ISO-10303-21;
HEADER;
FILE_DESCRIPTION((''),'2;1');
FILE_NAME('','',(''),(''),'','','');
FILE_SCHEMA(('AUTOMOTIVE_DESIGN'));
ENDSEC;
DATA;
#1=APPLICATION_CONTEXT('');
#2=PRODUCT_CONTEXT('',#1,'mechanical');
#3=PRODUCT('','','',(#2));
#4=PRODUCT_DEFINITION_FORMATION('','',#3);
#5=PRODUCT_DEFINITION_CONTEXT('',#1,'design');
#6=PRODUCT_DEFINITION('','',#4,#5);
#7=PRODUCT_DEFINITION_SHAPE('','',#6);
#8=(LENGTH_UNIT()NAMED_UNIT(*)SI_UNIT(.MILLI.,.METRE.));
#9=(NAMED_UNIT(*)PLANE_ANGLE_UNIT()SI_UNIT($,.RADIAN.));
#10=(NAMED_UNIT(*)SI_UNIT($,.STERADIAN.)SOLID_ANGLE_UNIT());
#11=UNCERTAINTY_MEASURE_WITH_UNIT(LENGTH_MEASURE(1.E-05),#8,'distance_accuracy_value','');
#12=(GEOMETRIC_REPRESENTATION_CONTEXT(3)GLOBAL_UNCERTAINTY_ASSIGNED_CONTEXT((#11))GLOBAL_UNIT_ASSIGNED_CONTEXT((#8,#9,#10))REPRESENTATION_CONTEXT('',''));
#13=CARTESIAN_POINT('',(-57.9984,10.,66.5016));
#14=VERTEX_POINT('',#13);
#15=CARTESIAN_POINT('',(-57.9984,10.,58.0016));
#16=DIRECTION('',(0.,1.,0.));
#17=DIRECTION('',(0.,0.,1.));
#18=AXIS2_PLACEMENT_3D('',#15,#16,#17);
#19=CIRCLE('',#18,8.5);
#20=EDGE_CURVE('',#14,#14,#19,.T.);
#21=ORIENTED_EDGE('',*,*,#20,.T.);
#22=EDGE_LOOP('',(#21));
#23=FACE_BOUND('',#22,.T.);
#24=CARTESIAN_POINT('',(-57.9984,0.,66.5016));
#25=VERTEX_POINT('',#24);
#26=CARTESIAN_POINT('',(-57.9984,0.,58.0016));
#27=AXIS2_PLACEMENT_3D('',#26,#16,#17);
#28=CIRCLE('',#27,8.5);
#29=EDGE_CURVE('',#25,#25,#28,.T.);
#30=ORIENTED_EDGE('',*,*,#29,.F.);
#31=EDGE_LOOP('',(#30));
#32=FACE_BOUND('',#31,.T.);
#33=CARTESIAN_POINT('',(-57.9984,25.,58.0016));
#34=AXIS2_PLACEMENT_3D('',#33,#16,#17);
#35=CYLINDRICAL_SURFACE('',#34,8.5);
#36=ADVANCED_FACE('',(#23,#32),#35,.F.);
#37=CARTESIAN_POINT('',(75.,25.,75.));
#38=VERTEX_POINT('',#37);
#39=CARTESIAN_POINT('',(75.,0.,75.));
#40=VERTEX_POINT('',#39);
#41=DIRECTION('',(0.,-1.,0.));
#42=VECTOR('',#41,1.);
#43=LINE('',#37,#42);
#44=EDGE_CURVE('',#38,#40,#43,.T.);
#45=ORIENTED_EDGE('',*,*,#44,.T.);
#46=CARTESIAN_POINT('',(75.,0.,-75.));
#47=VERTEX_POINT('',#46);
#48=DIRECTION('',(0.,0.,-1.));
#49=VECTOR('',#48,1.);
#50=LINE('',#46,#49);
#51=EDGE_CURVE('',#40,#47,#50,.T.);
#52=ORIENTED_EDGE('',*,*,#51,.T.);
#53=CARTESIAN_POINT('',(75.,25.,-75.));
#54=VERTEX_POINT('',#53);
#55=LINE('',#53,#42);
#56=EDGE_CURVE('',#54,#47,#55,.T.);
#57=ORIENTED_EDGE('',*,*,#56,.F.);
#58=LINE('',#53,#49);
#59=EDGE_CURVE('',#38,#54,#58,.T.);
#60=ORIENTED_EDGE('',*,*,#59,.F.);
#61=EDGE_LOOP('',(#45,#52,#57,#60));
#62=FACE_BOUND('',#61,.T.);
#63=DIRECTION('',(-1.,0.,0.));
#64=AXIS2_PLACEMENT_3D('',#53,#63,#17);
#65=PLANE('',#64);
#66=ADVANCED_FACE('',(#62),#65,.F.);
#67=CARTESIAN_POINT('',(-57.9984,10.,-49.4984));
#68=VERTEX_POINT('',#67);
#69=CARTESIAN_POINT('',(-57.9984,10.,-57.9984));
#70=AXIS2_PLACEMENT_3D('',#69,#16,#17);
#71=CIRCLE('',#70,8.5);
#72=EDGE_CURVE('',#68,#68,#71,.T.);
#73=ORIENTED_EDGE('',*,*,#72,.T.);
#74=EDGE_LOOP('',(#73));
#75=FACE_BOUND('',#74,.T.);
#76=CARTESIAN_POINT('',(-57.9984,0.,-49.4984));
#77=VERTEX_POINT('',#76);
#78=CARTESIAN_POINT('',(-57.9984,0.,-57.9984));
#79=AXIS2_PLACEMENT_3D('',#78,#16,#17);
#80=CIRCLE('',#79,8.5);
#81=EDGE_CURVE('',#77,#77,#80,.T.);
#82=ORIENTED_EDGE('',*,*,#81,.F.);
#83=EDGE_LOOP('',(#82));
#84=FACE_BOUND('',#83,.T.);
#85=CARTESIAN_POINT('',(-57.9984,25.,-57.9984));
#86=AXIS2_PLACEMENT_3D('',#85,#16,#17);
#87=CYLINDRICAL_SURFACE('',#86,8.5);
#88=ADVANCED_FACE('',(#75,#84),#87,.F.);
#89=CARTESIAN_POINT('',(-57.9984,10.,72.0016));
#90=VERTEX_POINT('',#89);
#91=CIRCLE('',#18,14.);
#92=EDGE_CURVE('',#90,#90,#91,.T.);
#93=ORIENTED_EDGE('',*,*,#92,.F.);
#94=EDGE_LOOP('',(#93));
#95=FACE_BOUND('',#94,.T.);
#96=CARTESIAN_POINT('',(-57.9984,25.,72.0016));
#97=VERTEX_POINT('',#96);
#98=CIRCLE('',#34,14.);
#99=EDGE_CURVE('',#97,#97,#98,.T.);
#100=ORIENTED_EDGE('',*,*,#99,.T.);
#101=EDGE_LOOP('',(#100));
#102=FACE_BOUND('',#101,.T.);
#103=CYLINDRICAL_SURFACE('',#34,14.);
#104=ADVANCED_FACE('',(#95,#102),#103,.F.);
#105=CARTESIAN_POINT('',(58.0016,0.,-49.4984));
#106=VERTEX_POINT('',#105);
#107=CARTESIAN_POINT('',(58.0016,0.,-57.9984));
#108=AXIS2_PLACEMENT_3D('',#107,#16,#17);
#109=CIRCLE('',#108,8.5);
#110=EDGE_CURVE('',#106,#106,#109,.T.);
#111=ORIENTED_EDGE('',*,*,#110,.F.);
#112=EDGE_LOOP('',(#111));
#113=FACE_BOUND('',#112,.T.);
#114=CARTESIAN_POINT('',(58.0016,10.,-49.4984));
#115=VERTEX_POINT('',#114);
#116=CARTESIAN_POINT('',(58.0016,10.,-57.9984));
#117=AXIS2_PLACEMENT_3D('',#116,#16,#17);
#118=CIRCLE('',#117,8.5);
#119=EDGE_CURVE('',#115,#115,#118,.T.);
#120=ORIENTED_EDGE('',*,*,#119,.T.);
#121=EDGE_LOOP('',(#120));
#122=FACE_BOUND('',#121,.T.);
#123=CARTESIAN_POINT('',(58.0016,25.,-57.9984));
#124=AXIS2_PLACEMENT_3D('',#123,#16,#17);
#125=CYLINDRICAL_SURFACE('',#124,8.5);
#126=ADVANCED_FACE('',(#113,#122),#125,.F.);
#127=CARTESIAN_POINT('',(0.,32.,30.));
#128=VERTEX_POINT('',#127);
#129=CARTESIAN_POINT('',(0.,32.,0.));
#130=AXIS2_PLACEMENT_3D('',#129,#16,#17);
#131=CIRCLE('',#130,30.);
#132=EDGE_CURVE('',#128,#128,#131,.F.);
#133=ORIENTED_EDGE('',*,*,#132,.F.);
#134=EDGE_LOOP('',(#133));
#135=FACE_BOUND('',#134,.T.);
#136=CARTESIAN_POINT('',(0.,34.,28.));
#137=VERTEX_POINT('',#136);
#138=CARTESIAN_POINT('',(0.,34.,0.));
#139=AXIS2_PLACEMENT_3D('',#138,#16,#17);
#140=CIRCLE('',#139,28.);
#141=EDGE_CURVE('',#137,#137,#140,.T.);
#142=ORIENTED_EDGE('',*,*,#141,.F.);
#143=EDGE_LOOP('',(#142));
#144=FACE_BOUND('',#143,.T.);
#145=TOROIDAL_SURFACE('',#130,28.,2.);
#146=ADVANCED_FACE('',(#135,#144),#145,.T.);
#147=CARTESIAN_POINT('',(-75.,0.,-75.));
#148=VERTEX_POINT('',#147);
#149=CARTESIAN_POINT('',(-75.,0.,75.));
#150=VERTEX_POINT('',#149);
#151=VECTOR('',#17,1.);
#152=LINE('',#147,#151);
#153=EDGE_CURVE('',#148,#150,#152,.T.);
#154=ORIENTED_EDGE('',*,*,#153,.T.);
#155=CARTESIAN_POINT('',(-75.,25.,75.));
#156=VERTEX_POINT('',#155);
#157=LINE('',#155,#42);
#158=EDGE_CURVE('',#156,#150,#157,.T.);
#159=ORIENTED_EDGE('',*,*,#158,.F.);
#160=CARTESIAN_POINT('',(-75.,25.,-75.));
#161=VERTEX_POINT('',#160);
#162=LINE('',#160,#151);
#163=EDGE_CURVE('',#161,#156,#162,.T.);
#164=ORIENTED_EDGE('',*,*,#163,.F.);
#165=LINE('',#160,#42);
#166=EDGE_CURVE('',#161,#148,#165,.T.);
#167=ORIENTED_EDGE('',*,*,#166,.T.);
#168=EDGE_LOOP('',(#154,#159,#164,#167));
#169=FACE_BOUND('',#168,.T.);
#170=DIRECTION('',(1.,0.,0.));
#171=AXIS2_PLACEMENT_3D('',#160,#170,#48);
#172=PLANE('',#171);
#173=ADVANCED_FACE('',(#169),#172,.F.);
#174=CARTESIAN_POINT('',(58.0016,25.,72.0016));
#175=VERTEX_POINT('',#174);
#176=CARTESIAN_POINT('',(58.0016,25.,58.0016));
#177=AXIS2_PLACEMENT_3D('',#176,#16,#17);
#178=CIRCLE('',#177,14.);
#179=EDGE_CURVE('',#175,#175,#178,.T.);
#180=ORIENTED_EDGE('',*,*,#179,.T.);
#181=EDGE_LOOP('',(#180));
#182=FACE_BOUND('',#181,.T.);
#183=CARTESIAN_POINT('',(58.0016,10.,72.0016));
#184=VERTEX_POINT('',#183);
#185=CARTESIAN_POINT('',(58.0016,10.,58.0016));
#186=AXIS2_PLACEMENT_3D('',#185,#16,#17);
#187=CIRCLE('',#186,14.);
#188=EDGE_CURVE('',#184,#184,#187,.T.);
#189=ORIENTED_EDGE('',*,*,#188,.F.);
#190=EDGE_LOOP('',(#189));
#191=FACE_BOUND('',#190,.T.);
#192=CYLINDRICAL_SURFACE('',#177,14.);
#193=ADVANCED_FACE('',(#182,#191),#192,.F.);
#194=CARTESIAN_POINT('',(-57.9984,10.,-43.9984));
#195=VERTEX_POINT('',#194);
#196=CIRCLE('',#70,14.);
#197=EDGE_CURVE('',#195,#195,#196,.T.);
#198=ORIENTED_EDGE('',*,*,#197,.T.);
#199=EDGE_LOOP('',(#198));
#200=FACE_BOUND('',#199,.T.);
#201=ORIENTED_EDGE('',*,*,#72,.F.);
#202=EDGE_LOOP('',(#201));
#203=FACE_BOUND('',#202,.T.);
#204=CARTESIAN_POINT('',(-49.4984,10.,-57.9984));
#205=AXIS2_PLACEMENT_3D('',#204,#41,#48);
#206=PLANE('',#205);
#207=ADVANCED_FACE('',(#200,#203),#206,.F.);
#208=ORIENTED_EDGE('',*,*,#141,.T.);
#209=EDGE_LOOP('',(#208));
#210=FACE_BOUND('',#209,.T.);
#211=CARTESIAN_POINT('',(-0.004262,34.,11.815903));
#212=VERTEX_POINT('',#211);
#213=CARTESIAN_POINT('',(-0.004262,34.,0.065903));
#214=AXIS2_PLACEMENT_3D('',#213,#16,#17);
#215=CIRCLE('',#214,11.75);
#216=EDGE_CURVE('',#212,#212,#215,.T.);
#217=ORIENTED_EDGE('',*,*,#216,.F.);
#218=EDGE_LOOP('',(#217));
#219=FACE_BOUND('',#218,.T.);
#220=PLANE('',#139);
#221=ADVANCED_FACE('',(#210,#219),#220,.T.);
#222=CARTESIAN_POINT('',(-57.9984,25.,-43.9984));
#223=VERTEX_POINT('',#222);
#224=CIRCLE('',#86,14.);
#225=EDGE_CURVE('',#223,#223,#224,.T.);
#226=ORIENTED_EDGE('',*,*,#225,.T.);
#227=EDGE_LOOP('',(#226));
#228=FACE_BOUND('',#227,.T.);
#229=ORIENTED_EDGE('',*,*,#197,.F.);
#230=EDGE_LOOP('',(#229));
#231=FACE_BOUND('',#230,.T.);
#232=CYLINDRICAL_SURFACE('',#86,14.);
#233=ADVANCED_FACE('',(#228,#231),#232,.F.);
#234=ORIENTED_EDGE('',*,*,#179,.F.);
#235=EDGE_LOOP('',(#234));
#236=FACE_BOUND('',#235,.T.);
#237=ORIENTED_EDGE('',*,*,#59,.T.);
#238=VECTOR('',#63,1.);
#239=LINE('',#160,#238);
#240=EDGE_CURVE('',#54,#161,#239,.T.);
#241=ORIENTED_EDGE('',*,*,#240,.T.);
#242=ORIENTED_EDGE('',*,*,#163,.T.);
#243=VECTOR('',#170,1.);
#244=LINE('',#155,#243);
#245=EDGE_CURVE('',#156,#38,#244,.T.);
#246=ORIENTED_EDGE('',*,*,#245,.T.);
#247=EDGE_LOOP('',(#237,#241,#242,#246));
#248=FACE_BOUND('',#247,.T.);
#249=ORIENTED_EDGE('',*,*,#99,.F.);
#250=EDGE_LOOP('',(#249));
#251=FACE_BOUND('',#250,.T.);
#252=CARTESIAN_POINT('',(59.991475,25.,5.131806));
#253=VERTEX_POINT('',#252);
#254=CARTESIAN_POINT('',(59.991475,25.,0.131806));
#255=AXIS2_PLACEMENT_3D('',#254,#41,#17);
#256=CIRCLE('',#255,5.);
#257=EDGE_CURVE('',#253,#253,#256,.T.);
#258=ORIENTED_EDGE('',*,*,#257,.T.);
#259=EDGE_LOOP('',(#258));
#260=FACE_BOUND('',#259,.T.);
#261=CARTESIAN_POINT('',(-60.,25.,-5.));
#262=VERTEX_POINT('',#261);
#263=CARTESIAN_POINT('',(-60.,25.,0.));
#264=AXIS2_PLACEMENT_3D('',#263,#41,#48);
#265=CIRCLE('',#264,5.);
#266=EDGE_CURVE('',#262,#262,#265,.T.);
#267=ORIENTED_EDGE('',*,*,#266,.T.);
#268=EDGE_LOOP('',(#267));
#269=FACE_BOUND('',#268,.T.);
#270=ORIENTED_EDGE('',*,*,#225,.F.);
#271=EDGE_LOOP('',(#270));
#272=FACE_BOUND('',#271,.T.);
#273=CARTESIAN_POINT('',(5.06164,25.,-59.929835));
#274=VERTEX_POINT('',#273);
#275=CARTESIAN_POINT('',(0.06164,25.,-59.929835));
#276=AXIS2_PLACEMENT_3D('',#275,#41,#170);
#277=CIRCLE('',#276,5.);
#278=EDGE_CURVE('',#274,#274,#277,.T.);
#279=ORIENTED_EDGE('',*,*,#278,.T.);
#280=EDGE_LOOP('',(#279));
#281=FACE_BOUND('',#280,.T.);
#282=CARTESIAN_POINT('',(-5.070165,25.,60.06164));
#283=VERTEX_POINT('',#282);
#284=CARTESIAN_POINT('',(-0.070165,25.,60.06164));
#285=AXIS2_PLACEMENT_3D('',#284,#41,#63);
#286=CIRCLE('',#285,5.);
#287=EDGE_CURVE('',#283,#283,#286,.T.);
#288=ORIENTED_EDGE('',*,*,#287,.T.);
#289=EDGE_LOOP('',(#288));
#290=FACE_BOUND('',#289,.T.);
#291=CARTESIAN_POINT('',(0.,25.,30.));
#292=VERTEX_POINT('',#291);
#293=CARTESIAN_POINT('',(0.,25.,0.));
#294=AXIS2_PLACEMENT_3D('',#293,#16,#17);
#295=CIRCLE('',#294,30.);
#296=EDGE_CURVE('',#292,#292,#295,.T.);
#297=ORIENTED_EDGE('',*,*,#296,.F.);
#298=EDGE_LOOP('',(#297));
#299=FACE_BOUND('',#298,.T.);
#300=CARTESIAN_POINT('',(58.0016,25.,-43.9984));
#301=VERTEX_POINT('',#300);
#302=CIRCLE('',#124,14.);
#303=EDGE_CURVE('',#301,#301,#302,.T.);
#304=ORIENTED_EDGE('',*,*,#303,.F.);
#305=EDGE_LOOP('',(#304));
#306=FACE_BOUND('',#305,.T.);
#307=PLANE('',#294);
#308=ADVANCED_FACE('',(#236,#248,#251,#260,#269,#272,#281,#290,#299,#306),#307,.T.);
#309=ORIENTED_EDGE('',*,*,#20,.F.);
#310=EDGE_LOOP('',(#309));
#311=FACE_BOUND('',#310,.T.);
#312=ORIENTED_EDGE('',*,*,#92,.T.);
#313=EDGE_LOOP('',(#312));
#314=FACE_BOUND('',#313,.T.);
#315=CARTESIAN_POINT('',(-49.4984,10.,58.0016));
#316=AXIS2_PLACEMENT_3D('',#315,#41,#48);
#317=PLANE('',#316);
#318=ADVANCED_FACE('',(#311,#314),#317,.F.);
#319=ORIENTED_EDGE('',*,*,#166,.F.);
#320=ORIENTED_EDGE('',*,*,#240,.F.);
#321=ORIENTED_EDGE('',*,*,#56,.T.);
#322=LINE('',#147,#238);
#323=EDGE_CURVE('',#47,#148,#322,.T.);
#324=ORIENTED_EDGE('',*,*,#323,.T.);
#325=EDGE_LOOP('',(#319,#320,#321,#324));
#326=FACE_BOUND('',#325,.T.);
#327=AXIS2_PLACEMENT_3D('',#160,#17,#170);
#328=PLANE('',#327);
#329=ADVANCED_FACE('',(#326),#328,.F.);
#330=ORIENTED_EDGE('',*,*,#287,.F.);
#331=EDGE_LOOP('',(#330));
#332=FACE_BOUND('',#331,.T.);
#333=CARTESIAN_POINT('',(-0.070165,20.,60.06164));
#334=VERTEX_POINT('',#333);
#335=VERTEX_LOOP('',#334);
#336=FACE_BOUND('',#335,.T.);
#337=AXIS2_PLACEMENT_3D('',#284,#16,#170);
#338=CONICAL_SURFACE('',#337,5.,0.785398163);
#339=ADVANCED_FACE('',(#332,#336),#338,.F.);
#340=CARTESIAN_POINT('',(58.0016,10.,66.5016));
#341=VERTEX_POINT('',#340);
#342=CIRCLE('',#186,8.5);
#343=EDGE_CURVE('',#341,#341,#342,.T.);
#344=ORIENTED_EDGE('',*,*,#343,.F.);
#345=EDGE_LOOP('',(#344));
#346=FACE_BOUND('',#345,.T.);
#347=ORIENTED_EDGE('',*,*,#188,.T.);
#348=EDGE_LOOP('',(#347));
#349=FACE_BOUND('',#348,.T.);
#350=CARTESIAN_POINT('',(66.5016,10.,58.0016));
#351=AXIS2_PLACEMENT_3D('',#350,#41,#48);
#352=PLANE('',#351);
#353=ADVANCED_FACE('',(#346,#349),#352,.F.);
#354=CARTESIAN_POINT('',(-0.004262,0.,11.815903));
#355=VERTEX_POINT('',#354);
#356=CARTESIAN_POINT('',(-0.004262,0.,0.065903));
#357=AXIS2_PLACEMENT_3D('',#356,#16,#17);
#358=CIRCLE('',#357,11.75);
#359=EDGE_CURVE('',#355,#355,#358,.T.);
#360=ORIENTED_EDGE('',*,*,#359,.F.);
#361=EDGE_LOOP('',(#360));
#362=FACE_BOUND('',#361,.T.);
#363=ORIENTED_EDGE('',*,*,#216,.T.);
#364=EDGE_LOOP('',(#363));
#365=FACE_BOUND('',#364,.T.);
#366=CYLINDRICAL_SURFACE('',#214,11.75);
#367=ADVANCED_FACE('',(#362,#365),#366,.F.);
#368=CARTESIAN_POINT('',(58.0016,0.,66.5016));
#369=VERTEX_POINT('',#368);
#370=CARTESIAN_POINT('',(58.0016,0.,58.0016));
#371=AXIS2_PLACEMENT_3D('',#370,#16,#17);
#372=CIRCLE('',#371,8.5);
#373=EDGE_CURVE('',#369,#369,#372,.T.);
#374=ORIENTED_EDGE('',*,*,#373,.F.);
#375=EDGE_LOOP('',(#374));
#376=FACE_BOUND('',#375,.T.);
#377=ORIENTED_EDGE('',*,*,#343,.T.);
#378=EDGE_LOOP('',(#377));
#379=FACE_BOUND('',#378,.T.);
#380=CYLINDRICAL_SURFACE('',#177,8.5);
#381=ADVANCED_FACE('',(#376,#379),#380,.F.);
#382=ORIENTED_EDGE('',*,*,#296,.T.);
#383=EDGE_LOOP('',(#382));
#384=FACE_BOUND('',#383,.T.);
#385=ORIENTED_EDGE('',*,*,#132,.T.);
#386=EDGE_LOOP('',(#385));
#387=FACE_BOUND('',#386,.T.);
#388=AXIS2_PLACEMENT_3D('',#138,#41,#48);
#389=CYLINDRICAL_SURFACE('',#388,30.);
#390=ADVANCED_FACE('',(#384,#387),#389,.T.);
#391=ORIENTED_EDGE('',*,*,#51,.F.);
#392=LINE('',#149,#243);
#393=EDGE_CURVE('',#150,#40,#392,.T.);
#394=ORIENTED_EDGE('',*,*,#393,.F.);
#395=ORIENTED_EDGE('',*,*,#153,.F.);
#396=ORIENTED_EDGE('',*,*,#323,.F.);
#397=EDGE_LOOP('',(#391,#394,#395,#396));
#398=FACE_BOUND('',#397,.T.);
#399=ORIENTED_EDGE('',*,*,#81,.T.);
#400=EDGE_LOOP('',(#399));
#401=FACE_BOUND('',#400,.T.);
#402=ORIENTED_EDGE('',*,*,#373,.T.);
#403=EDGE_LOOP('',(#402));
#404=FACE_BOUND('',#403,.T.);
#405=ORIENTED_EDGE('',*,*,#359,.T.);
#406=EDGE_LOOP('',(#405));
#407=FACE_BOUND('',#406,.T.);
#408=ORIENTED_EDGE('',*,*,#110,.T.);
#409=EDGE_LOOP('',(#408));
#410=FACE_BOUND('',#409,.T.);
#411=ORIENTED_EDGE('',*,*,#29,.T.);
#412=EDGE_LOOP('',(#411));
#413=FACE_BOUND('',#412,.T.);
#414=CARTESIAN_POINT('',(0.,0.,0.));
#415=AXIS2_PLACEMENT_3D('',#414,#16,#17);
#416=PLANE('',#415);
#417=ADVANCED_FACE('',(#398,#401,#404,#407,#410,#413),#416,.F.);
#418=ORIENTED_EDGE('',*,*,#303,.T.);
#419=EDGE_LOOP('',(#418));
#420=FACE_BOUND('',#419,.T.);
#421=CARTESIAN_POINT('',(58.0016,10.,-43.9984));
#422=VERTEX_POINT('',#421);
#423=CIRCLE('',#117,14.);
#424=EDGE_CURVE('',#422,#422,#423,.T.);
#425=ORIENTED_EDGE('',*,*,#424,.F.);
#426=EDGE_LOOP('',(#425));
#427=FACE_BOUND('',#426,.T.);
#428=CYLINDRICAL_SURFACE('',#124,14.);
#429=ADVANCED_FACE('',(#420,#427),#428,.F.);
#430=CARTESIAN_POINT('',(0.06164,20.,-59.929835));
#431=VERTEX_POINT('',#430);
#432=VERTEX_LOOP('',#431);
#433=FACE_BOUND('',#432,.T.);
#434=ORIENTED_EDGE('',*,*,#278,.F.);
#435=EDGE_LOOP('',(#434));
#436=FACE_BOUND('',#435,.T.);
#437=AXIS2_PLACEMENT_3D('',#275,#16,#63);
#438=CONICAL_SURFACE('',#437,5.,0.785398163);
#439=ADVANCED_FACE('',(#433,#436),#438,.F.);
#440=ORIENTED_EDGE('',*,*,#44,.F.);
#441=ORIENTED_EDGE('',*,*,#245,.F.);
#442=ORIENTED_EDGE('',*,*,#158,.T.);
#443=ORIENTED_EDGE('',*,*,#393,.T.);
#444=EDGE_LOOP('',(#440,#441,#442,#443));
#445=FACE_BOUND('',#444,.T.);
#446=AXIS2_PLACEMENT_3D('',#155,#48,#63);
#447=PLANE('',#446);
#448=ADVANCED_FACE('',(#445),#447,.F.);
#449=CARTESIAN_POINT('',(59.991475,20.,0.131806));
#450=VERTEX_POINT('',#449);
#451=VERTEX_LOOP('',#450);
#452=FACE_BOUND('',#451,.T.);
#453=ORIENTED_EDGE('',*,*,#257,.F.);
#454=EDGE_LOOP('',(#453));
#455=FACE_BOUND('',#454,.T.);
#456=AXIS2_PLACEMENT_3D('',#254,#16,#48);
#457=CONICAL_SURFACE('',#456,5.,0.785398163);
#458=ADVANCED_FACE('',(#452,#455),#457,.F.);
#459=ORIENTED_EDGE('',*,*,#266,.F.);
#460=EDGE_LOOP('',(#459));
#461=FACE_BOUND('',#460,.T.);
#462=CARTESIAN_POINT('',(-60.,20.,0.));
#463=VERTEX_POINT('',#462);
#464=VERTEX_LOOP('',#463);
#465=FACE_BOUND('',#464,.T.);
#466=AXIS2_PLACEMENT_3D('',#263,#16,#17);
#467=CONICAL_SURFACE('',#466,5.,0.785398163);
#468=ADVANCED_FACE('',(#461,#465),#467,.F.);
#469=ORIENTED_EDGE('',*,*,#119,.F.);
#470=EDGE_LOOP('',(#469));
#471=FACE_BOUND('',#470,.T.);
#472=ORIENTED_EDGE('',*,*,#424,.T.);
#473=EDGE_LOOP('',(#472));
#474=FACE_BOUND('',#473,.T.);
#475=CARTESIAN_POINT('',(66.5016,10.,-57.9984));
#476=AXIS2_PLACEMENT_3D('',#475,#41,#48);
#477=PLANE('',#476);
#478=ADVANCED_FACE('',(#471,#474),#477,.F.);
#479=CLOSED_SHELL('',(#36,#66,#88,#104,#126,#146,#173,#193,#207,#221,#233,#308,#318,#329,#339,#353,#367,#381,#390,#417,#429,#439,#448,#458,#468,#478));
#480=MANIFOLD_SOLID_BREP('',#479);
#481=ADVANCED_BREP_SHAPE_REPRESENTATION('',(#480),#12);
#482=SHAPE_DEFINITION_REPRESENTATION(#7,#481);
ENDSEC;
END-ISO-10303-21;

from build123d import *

# Parameters (mm, degrees)
IZIM2_W                     = 150
IZIM2_H                     = 150
Y_KSEKLIK_EKSTR_ZYON1_DEPTH = 25
IZIM3_R                     = 30
Y_KSEKLIK_EKSTR_ZYON2_DEPTH = 9
RADYUS1_R                   = 2
M25X1_5_DI_LI_DELIK2_D      = 23.5
DELIK1_D                    = 17
DELIK1_CBORE_D              = 28
DELIK1_CBORE_DEPTH          = 15
DAIRESEL_KAPLAMA2_COUNT     = 4


with BuildPart() as part:
    # Çizim2 → Yükseklik-Ekstrüzyon1 (new body)
    with BuildSketch(Plane(origin=(0, 0, 0), x_dir=(1, 0, 0), z_dir=(0, 1, 0))):
        Rectangle(IZIM2_W, IZIM2_H)
    extrude(amount=Y_KSEKLIK_EKSTR_ZYON1_DEPTH)

    # Çizim3 → Yükseklik-Ekstrüzyon2 (add)
    with BuildSketch(Plane(origin=(0, 25, 0), x_dir=(1, 0, 0), z_dir=(0, 1, 0))):
        with Locations(Location((0, 0, 0), (0, 0, 270))):
            Circle(IZIM3_R)
    extrude(amount=Y_KSEKLIK_EKSTR_ZYON2_DEPTH)

    # Radyus1
    radyus1_edges = [part.edges().sort_by_distance(p)[0] for p in [
        (0, 34, -30),
    ]]
    fillet(radyus1_edges, radius=RADYUS1_R)

    # M25x1.5 Dişli Delik2 (through all)
    with Locations(Plane(origin=(-0.00426246, 34, 0.065902754), x_dir=(0, 0, 1), z_dir=(0, 1, 0))):
        with Locations((0, 0)):
            Hole(M25X1_5_DI_LI_DELIK2_D / 2)

    # Delik1 (through all)
    with Locations(Plane(origin=(-57.998400022, 25, -57.998400022), x_dir=(0, 0, 1), z_dir=(0, 1, 0))):
        with Locations((0, 0), (0, 116), (116, 116), (116, 0)):
            CounterBoreHole(DELIK1_D / 2, DELIK1_CBORE_D / 2, DELIK1_CBORE_DEPTH)

    # Çizim8 → Kes-Döndür1 (revolve, cut)
    with BuildSketch(Plane.XY, mode=Mode.PRIVATE) as kes_d_nd_r1_sk:
        Polygon((-65, 25), (-60, 20), (-60, 25), align=None)
    kes_d_nd_r1 = revolve(kes_d_nd_r1_sk.sketch.rotate(Axis((-60, 20, 0), (0, 1, 0)), 90), axis=Axis((-60, 20, 0), (0, 1, 0)), mode=Mode.SUBTRACT)

    # Dairesel Kaplama2: Kes-Döndür1 ×4 about axis
    dairesel_kaplama2_axis = Axis((-0.00426246, 0, 0.065902754), (0, 1, 0))
    for i in range(1, DAIRESEL_KAPLAMA2_COUNT):
        add(kes_d_nd_r1.rotate(dairesel_kaplama2_axis, i * 360 / DAIRESEL_KAPLAMA2_COUNT), mode=Mode.SUBTRACT)


solid = part.part
